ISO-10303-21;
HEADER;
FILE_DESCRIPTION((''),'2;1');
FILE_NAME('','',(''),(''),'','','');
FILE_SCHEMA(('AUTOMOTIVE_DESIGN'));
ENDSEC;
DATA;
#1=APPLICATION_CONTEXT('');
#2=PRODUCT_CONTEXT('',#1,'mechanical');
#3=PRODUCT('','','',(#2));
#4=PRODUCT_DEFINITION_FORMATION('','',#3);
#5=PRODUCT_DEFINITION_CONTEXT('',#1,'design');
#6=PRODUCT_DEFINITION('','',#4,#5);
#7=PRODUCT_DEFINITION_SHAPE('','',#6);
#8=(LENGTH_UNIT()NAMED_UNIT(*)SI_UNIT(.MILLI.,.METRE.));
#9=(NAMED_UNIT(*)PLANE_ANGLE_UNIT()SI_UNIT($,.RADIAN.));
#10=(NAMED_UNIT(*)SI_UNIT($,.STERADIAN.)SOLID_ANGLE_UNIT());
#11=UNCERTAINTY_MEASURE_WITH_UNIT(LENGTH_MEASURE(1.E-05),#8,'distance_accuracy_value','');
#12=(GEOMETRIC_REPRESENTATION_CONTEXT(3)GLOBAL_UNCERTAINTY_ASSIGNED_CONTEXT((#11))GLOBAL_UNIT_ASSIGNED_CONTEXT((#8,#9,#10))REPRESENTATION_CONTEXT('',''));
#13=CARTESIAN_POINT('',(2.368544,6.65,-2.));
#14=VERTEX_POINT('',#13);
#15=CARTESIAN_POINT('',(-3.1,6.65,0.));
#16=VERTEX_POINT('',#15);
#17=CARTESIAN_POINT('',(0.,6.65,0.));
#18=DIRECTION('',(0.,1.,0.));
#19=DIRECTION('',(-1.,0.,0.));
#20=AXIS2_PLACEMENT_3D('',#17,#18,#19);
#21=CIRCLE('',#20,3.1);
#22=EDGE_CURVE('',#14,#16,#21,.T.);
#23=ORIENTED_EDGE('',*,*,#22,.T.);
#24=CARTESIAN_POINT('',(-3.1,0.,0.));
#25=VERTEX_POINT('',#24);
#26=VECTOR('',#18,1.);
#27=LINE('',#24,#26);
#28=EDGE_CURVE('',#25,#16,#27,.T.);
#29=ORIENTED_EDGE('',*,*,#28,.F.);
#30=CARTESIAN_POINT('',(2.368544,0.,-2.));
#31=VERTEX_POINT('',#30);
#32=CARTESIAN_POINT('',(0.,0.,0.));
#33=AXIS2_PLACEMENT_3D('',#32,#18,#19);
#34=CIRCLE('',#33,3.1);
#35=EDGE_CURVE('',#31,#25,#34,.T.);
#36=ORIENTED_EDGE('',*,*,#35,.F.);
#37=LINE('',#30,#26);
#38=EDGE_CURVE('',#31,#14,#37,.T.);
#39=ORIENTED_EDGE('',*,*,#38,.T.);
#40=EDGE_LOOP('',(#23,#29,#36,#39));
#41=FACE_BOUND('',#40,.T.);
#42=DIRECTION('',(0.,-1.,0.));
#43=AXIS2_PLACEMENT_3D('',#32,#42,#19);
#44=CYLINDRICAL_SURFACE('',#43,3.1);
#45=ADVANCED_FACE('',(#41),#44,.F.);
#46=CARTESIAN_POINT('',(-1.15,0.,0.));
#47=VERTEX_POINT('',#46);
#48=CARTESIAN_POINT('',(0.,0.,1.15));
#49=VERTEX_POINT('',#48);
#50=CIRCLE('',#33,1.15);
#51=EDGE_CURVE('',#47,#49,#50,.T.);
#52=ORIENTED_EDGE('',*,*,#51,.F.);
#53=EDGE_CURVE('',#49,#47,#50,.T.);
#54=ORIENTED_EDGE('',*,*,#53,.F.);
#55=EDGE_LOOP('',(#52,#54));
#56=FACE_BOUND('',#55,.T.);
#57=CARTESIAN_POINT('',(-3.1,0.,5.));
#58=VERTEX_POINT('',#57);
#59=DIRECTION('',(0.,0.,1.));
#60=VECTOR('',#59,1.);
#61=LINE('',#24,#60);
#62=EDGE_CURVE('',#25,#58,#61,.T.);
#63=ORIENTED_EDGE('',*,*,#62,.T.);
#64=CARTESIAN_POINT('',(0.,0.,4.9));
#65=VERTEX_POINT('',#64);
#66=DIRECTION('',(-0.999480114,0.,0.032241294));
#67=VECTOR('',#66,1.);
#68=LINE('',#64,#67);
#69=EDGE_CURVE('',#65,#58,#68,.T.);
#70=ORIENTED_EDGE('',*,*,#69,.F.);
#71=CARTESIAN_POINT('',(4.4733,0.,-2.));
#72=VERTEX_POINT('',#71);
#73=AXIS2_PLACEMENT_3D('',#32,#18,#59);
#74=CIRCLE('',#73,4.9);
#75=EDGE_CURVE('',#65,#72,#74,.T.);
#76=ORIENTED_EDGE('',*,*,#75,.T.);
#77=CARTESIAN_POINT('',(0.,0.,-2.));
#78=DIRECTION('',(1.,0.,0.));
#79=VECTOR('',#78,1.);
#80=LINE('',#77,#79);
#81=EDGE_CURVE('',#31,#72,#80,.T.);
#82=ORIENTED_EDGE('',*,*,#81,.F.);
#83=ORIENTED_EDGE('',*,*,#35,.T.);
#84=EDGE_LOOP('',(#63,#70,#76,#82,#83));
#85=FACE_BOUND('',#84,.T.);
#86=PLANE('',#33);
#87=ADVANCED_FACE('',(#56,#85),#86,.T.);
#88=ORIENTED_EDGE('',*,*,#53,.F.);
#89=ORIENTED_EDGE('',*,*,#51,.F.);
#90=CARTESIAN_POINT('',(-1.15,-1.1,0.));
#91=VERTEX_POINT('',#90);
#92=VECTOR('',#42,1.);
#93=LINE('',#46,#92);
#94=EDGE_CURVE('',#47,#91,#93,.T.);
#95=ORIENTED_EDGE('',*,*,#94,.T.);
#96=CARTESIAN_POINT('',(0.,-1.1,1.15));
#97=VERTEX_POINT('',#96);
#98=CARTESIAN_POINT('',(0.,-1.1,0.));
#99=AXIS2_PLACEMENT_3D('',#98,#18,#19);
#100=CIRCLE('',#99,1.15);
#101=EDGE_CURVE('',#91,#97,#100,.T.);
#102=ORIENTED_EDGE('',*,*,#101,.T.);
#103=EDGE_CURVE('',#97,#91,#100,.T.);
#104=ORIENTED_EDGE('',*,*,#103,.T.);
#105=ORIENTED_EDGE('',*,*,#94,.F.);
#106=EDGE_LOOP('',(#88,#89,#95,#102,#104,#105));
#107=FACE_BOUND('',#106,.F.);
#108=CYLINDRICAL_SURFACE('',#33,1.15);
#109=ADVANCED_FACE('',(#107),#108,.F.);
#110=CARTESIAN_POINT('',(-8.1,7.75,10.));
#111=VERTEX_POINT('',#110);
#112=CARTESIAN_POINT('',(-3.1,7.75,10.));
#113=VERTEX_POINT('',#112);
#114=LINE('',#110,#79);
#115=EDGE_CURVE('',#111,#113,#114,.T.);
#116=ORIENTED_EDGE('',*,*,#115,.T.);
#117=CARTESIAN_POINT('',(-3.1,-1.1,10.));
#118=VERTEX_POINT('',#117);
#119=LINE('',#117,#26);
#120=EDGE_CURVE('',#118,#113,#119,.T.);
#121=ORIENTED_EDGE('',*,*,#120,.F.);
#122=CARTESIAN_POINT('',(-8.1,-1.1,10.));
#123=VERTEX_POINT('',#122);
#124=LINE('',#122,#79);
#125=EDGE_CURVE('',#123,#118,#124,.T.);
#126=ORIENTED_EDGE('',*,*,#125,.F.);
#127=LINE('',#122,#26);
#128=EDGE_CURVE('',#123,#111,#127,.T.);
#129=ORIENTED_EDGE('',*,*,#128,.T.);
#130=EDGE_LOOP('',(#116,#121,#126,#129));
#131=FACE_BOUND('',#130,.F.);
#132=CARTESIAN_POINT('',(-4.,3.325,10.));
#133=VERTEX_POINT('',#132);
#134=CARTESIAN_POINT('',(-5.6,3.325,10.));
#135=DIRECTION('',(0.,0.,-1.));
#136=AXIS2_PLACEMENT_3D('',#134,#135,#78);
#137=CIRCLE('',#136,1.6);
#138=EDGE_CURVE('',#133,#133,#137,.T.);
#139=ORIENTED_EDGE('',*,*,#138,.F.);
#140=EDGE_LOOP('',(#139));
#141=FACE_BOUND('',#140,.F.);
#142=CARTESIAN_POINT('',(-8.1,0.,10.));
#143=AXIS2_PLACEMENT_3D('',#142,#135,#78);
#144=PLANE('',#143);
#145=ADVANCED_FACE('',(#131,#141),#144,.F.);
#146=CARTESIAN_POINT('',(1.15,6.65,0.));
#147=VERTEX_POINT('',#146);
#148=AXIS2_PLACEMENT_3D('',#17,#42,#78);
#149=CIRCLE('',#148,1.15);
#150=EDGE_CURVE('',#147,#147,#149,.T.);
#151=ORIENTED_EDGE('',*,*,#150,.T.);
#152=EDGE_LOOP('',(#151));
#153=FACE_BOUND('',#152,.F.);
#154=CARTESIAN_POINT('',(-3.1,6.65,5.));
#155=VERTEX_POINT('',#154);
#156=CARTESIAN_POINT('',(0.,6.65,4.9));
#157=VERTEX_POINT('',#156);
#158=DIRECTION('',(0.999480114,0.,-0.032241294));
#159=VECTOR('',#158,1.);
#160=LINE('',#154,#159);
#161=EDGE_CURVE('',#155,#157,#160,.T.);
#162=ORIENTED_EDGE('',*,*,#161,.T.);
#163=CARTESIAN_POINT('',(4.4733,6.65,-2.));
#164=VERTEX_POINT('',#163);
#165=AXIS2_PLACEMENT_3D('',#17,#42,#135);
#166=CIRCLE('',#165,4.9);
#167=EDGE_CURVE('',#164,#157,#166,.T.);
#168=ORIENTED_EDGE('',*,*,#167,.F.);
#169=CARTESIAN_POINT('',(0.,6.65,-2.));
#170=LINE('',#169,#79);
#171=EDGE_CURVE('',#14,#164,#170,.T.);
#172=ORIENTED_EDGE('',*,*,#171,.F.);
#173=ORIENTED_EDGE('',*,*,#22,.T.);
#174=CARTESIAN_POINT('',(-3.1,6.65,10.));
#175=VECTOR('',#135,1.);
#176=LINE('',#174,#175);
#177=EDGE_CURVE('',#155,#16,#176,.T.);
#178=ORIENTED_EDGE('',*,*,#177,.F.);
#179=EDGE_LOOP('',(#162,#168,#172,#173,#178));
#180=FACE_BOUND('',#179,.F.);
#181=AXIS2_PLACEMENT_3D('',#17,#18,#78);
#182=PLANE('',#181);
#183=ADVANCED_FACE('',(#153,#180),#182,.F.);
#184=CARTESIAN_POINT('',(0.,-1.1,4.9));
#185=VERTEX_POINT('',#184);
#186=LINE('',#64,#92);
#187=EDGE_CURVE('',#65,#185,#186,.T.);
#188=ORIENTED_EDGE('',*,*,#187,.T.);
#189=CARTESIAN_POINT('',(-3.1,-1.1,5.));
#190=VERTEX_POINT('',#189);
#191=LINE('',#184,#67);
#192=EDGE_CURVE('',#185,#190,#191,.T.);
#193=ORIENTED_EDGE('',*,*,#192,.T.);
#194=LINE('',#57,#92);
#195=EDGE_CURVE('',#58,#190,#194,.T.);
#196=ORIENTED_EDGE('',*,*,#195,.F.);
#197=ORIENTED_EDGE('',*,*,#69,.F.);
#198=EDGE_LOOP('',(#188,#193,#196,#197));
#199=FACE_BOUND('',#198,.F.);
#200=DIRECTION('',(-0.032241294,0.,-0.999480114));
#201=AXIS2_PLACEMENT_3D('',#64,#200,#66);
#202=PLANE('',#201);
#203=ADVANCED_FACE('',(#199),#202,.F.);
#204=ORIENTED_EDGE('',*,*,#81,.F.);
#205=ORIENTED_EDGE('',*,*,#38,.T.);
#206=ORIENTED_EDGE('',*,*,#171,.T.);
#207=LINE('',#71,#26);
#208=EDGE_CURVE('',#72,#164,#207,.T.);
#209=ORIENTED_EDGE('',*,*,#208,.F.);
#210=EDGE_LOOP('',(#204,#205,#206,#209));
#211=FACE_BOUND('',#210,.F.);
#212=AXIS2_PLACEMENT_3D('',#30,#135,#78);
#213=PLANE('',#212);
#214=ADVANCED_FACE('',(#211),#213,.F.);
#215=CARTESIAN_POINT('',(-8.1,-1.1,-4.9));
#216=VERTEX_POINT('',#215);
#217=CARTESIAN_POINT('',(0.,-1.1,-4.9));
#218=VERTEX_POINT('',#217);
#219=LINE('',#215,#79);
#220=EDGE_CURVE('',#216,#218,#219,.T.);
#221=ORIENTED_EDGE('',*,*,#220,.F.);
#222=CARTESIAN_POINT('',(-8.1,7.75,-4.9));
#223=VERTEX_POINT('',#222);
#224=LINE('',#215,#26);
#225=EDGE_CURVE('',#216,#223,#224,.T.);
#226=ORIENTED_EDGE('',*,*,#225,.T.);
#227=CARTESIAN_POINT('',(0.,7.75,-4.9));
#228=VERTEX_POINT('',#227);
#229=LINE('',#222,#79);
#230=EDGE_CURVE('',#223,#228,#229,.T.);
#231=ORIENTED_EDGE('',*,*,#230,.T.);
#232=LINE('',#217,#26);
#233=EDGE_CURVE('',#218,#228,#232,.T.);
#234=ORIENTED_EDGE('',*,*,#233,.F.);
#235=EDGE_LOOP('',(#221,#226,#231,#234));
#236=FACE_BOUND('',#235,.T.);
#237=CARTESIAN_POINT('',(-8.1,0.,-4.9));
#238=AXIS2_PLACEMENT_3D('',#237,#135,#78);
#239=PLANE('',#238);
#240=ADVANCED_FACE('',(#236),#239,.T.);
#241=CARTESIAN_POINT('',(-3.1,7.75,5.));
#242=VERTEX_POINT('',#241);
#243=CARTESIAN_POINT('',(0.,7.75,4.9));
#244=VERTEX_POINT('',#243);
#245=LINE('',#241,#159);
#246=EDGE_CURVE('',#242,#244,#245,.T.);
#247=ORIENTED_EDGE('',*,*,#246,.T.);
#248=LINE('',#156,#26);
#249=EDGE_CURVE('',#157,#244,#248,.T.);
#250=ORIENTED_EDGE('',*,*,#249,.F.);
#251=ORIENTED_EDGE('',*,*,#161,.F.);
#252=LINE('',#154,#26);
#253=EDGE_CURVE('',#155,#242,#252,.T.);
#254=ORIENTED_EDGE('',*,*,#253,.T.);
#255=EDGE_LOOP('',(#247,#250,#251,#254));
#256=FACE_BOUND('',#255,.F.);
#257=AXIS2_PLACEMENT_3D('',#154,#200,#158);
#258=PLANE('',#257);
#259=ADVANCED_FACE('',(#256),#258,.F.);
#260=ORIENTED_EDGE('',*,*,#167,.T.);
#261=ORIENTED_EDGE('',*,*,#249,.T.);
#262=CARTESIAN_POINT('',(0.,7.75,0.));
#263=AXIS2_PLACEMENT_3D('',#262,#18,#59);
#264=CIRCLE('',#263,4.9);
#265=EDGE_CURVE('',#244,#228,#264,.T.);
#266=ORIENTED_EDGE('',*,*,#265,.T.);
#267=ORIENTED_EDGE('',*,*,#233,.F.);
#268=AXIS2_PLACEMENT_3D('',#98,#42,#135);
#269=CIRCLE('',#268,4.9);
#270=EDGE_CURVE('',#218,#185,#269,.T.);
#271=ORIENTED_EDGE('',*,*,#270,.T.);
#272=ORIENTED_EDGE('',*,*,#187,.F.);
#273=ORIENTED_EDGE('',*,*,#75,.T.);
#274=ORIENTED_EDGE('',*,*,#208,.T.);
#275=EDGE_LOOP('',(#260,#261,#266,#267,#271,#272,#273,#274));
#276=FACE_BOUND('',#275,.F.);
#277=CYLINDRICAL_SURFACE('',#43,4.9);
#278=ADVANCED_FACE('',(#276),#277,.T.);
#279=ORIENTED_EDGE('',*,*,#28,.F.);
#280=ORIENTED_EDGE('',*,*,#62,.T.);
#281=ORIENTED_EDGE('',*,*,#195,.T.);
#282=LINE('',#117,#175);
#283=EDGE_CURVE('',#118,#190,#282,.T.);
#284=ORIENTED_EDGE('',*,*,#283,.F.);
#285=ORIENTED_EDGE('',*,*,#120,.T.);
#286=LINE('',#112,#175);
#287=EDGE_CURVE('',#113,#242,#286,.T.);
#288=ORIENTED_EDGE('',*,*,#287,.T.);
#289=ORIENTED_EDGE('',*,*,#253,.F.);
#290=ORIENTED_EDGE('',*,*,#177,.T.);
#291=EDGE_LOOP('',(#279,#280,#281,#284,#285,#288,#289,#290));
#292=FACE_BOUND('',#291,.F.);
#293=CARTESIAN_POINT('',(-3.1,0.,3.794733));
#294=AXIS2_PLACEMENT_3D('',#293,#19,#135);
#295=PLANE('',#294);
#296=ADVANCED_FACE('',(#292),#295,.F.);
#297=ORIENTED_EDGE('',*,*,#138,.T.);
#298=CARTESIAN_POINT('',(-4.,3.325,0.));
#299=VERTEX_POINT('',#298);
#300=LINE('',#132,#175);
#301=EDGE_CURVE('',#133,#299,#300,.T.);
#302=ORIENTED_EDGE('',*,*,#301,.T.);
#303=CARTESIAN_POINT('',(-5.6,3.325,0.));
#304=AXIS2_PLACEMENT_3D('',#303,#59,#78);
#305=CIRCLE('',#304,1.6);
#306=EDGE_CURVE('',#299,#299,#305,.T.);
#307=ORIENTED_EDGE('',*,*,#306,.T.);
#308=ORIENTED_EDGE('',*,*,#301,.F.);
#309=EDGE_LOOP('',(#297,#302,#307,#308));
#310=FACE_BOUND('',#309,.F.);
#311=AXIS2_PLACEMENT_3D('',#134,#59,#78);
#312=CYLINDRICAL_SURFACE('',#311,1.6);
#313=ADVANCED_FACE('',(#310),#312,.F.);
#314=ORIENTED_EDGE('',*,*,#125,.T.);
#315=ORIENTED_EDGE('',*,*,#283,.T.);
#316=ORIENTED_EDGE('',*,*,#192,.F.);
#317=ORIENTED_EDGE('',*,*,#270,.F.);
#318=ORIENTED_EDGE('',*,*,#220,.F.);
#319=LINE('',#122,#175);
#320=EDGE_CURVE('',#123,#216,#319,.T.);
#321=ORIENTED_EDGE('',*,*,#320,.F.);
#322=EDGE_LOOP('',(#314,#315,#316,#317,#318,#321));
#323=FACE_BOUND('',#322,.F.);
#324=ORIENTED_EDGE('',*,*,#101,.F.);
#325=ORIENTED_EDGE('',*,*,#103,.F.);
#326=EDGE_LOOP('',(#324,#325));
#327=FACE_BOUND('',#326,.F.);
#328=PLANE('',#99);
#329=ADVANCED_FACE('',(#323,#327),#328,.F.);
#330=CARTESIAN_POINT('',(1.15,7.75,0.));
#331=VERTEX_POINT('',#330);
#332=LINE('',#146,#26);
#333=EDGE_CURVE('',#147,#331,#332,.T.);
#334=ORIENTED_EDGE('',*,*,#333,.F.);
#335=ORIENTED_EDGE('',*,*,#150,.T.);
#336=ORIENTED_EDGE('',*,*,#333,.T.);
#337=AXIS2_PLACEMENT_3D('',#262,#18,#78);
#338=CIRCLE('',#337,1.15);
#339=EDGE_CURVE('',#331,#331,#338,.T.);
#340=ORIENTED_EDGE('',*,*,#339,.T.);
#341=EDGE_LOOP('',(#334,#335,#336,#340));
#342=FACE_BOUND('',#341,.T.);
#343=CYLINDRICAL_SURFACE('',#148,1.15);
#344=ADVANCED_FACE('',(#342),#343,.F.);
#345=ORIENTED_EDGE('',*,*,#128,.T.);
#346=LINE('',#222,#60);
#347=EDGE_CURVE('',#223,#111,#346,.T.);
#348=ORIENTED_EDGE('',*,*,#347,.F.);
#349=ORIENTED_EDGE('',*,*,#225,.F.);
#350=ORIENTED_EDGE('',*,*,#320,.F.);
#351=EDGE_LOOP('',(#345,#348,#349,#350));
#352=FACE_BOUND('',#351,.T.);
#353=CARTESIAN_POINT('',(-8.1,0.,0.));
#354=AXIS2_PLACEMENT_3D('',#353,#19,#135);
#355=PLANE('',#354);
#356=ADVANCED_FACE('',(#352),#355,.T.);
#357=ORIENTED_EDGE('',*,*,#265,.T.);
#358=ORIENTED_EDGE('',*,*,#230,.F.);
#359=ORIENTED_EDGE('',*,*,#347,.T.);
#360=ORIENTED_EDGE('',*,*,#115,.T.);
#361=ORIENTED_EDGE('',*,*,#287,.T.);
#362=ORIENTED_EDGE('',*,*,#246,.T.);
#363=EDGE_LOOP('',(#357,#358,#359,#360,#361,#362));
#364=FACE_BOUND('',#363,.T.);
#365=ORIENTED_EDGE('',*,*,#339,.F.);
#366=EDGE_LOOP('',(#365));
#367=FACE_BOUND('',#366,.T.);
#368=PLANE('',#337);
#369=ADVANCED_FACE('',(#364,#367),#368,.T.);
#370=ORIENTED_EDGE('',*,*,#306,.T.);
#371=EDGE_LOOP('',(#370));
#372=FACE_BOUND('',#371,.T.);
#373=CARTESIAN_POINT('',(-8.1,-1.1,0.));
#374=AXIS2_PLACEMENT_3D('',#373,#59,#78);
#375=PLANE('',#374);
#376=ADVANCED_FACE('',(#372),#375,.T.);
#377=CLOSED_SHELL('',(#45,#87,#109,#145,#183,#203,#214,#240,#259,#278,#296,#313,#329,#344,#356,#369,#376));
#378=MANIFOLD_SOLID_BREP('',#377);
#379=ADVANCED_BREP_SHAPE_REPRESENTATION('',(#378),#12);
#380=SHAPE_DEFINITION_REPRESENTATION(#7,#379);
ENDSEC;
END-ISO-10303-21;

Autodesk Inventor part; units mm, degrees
ref_plane "YZ Plane" through (0, 0, 0) normal (1, 0, 0) x (0, 1, 0)
ref_plane "XZ Plane" through (0, 0, 0) normal (0, 1, 0) x (-1, 0, 0)
ref_plane "XY Plane" through (0, 0, 0) normal (0, 0, 1) x (1, 0, 0)
sketch "スケッチ1" plane through (0, 0, 0) normal (0, 1, 0) x (-1, 0, 0)
  circle A0 centre (0, 0) radius 1.15
  circle A1 centre (0, 0) radius 3.1
  circle A2 centre (0, 0) radius 4.9
  line L0 (3.1, 0) -> (8.1, 0)
  line L1 (8.1, 0) -> (8.1, 10)
  line L2 (8.1, 10) -> (3.1, 10)
  line L3 (3.1, 10) -> (3.1, 0)
  line L4 (0, 0) -> (0, 4.9)
  line L5 (0, 4.9) -> (3.1, 5)
  line L6 (8.1, 0) -> (2.9642, -3.9017)
  circle A3 centre (0, 0) radius 2
  line L7 (0, -2) -> (-4.4733, -2)
  line L8 (8.1, 0) -> (8.1, -4.9)
  line L9 (8.1, -4.9) -> (0, -4.9)
  point P0 (-2.3685, -2)
  dimension "d1" = 6.2
  dimension "d5" = 4
  dimension "d0" = 2.3
  dimension "d2" = 9.8
  dimension "d3" = 5
  dimension "d4" = 10
extrude "押し出し1" add sketch "スケッチ1" along normal blind 6.65 contours L0 A2 L7 A1 | L3 A2 L0 | L0 L6 A2 | A2 L3 L2 L1 L0 | L6 L8 L9 A2
extrude "押し出し2" add sketch "スケッチ1" against normal blind 1.1
sketch "スケッチ2" plane through (0, 6.65, 0) normal (0, 1, 0) x (1, 0, 0)
  circle A0 centre (0, 0) radius 1.15 projected
  circle A1 centre (0, 0) radius 1.15
  arc A2 (2.3685, 2) -> (-3.1, 0) centre (0, 0) ccw projected
  circle A3 centre (0, 0) radius 4.9
  line L0 (-8.1, -10) -> (-8.1, 4.9) projected
  line L1 (-3.1, 0) -> (-8.1, 0)
  line L2 (-8.1, 0) -> (-8.1, -10)
  line L3 (-8.1, -10) -> (-3.1, -10)
  line L4 (-3.1, -10) -> (-3.1, 0)
  line L5 (-3.1, -5) -> (0, -4.9) projected
  line L6 (0, -4.9) -> (-3.1, -5)
  line L7 (-3.1, -5) -> (-3.1, 0)
  line L8 (0, 0) -> (-8.1, 0)
  line L9 (-8.1, 0) -> (-8.1, 4.9)
  line L10 (-8.1, 4.9) -> (0, 4.9)
  line L11 (0, 4.9) -> (0, 0)
  dimension "d11" = 9.8
  dimension "d10" = 2.3
  dimension "d12" = 5
  dimension "d13" = 10
extrude "押し出し3" add sketch "スケッチ2" along normal blind 1.1 contours A0 L11 A3 L4 L8 | A0 L8 A2 L11 | A2 L1 A3 L11 | L4 A3 L1 | A3 L1 L0 L10 | A3 L4 L3 L0 L1 | A3 L5 L4
sketch "スケッチ3" plane through (-8.1, -1.1, 10) normal (0, 0, 1) x (1, 0, 0)
  line L0 (0, 0) -> (8.1, 0) projected
  line L1 (0, 0) -> (2.5, 0)
  line L2 (2.5, 0) -> (2.5, 4.425)
  line L3 (2.5, 4.425) -> (0, 4.425)
  line L4 (0, 4.425) -> (0, 0)
  circle A0 centre (2.5, 4.425) radius 1.6
  point P0 (8.1, 1.1)
  dimension "d16" = 2.5
  dimension "d17" = 4.425
  dimension "d18" = 3.2
extrude "押し出し4" cut sketch "スケッチ3" against normal blind 10 contours A0 L3 L2 | L2 L3 A0
properties part number "srod2.1"
